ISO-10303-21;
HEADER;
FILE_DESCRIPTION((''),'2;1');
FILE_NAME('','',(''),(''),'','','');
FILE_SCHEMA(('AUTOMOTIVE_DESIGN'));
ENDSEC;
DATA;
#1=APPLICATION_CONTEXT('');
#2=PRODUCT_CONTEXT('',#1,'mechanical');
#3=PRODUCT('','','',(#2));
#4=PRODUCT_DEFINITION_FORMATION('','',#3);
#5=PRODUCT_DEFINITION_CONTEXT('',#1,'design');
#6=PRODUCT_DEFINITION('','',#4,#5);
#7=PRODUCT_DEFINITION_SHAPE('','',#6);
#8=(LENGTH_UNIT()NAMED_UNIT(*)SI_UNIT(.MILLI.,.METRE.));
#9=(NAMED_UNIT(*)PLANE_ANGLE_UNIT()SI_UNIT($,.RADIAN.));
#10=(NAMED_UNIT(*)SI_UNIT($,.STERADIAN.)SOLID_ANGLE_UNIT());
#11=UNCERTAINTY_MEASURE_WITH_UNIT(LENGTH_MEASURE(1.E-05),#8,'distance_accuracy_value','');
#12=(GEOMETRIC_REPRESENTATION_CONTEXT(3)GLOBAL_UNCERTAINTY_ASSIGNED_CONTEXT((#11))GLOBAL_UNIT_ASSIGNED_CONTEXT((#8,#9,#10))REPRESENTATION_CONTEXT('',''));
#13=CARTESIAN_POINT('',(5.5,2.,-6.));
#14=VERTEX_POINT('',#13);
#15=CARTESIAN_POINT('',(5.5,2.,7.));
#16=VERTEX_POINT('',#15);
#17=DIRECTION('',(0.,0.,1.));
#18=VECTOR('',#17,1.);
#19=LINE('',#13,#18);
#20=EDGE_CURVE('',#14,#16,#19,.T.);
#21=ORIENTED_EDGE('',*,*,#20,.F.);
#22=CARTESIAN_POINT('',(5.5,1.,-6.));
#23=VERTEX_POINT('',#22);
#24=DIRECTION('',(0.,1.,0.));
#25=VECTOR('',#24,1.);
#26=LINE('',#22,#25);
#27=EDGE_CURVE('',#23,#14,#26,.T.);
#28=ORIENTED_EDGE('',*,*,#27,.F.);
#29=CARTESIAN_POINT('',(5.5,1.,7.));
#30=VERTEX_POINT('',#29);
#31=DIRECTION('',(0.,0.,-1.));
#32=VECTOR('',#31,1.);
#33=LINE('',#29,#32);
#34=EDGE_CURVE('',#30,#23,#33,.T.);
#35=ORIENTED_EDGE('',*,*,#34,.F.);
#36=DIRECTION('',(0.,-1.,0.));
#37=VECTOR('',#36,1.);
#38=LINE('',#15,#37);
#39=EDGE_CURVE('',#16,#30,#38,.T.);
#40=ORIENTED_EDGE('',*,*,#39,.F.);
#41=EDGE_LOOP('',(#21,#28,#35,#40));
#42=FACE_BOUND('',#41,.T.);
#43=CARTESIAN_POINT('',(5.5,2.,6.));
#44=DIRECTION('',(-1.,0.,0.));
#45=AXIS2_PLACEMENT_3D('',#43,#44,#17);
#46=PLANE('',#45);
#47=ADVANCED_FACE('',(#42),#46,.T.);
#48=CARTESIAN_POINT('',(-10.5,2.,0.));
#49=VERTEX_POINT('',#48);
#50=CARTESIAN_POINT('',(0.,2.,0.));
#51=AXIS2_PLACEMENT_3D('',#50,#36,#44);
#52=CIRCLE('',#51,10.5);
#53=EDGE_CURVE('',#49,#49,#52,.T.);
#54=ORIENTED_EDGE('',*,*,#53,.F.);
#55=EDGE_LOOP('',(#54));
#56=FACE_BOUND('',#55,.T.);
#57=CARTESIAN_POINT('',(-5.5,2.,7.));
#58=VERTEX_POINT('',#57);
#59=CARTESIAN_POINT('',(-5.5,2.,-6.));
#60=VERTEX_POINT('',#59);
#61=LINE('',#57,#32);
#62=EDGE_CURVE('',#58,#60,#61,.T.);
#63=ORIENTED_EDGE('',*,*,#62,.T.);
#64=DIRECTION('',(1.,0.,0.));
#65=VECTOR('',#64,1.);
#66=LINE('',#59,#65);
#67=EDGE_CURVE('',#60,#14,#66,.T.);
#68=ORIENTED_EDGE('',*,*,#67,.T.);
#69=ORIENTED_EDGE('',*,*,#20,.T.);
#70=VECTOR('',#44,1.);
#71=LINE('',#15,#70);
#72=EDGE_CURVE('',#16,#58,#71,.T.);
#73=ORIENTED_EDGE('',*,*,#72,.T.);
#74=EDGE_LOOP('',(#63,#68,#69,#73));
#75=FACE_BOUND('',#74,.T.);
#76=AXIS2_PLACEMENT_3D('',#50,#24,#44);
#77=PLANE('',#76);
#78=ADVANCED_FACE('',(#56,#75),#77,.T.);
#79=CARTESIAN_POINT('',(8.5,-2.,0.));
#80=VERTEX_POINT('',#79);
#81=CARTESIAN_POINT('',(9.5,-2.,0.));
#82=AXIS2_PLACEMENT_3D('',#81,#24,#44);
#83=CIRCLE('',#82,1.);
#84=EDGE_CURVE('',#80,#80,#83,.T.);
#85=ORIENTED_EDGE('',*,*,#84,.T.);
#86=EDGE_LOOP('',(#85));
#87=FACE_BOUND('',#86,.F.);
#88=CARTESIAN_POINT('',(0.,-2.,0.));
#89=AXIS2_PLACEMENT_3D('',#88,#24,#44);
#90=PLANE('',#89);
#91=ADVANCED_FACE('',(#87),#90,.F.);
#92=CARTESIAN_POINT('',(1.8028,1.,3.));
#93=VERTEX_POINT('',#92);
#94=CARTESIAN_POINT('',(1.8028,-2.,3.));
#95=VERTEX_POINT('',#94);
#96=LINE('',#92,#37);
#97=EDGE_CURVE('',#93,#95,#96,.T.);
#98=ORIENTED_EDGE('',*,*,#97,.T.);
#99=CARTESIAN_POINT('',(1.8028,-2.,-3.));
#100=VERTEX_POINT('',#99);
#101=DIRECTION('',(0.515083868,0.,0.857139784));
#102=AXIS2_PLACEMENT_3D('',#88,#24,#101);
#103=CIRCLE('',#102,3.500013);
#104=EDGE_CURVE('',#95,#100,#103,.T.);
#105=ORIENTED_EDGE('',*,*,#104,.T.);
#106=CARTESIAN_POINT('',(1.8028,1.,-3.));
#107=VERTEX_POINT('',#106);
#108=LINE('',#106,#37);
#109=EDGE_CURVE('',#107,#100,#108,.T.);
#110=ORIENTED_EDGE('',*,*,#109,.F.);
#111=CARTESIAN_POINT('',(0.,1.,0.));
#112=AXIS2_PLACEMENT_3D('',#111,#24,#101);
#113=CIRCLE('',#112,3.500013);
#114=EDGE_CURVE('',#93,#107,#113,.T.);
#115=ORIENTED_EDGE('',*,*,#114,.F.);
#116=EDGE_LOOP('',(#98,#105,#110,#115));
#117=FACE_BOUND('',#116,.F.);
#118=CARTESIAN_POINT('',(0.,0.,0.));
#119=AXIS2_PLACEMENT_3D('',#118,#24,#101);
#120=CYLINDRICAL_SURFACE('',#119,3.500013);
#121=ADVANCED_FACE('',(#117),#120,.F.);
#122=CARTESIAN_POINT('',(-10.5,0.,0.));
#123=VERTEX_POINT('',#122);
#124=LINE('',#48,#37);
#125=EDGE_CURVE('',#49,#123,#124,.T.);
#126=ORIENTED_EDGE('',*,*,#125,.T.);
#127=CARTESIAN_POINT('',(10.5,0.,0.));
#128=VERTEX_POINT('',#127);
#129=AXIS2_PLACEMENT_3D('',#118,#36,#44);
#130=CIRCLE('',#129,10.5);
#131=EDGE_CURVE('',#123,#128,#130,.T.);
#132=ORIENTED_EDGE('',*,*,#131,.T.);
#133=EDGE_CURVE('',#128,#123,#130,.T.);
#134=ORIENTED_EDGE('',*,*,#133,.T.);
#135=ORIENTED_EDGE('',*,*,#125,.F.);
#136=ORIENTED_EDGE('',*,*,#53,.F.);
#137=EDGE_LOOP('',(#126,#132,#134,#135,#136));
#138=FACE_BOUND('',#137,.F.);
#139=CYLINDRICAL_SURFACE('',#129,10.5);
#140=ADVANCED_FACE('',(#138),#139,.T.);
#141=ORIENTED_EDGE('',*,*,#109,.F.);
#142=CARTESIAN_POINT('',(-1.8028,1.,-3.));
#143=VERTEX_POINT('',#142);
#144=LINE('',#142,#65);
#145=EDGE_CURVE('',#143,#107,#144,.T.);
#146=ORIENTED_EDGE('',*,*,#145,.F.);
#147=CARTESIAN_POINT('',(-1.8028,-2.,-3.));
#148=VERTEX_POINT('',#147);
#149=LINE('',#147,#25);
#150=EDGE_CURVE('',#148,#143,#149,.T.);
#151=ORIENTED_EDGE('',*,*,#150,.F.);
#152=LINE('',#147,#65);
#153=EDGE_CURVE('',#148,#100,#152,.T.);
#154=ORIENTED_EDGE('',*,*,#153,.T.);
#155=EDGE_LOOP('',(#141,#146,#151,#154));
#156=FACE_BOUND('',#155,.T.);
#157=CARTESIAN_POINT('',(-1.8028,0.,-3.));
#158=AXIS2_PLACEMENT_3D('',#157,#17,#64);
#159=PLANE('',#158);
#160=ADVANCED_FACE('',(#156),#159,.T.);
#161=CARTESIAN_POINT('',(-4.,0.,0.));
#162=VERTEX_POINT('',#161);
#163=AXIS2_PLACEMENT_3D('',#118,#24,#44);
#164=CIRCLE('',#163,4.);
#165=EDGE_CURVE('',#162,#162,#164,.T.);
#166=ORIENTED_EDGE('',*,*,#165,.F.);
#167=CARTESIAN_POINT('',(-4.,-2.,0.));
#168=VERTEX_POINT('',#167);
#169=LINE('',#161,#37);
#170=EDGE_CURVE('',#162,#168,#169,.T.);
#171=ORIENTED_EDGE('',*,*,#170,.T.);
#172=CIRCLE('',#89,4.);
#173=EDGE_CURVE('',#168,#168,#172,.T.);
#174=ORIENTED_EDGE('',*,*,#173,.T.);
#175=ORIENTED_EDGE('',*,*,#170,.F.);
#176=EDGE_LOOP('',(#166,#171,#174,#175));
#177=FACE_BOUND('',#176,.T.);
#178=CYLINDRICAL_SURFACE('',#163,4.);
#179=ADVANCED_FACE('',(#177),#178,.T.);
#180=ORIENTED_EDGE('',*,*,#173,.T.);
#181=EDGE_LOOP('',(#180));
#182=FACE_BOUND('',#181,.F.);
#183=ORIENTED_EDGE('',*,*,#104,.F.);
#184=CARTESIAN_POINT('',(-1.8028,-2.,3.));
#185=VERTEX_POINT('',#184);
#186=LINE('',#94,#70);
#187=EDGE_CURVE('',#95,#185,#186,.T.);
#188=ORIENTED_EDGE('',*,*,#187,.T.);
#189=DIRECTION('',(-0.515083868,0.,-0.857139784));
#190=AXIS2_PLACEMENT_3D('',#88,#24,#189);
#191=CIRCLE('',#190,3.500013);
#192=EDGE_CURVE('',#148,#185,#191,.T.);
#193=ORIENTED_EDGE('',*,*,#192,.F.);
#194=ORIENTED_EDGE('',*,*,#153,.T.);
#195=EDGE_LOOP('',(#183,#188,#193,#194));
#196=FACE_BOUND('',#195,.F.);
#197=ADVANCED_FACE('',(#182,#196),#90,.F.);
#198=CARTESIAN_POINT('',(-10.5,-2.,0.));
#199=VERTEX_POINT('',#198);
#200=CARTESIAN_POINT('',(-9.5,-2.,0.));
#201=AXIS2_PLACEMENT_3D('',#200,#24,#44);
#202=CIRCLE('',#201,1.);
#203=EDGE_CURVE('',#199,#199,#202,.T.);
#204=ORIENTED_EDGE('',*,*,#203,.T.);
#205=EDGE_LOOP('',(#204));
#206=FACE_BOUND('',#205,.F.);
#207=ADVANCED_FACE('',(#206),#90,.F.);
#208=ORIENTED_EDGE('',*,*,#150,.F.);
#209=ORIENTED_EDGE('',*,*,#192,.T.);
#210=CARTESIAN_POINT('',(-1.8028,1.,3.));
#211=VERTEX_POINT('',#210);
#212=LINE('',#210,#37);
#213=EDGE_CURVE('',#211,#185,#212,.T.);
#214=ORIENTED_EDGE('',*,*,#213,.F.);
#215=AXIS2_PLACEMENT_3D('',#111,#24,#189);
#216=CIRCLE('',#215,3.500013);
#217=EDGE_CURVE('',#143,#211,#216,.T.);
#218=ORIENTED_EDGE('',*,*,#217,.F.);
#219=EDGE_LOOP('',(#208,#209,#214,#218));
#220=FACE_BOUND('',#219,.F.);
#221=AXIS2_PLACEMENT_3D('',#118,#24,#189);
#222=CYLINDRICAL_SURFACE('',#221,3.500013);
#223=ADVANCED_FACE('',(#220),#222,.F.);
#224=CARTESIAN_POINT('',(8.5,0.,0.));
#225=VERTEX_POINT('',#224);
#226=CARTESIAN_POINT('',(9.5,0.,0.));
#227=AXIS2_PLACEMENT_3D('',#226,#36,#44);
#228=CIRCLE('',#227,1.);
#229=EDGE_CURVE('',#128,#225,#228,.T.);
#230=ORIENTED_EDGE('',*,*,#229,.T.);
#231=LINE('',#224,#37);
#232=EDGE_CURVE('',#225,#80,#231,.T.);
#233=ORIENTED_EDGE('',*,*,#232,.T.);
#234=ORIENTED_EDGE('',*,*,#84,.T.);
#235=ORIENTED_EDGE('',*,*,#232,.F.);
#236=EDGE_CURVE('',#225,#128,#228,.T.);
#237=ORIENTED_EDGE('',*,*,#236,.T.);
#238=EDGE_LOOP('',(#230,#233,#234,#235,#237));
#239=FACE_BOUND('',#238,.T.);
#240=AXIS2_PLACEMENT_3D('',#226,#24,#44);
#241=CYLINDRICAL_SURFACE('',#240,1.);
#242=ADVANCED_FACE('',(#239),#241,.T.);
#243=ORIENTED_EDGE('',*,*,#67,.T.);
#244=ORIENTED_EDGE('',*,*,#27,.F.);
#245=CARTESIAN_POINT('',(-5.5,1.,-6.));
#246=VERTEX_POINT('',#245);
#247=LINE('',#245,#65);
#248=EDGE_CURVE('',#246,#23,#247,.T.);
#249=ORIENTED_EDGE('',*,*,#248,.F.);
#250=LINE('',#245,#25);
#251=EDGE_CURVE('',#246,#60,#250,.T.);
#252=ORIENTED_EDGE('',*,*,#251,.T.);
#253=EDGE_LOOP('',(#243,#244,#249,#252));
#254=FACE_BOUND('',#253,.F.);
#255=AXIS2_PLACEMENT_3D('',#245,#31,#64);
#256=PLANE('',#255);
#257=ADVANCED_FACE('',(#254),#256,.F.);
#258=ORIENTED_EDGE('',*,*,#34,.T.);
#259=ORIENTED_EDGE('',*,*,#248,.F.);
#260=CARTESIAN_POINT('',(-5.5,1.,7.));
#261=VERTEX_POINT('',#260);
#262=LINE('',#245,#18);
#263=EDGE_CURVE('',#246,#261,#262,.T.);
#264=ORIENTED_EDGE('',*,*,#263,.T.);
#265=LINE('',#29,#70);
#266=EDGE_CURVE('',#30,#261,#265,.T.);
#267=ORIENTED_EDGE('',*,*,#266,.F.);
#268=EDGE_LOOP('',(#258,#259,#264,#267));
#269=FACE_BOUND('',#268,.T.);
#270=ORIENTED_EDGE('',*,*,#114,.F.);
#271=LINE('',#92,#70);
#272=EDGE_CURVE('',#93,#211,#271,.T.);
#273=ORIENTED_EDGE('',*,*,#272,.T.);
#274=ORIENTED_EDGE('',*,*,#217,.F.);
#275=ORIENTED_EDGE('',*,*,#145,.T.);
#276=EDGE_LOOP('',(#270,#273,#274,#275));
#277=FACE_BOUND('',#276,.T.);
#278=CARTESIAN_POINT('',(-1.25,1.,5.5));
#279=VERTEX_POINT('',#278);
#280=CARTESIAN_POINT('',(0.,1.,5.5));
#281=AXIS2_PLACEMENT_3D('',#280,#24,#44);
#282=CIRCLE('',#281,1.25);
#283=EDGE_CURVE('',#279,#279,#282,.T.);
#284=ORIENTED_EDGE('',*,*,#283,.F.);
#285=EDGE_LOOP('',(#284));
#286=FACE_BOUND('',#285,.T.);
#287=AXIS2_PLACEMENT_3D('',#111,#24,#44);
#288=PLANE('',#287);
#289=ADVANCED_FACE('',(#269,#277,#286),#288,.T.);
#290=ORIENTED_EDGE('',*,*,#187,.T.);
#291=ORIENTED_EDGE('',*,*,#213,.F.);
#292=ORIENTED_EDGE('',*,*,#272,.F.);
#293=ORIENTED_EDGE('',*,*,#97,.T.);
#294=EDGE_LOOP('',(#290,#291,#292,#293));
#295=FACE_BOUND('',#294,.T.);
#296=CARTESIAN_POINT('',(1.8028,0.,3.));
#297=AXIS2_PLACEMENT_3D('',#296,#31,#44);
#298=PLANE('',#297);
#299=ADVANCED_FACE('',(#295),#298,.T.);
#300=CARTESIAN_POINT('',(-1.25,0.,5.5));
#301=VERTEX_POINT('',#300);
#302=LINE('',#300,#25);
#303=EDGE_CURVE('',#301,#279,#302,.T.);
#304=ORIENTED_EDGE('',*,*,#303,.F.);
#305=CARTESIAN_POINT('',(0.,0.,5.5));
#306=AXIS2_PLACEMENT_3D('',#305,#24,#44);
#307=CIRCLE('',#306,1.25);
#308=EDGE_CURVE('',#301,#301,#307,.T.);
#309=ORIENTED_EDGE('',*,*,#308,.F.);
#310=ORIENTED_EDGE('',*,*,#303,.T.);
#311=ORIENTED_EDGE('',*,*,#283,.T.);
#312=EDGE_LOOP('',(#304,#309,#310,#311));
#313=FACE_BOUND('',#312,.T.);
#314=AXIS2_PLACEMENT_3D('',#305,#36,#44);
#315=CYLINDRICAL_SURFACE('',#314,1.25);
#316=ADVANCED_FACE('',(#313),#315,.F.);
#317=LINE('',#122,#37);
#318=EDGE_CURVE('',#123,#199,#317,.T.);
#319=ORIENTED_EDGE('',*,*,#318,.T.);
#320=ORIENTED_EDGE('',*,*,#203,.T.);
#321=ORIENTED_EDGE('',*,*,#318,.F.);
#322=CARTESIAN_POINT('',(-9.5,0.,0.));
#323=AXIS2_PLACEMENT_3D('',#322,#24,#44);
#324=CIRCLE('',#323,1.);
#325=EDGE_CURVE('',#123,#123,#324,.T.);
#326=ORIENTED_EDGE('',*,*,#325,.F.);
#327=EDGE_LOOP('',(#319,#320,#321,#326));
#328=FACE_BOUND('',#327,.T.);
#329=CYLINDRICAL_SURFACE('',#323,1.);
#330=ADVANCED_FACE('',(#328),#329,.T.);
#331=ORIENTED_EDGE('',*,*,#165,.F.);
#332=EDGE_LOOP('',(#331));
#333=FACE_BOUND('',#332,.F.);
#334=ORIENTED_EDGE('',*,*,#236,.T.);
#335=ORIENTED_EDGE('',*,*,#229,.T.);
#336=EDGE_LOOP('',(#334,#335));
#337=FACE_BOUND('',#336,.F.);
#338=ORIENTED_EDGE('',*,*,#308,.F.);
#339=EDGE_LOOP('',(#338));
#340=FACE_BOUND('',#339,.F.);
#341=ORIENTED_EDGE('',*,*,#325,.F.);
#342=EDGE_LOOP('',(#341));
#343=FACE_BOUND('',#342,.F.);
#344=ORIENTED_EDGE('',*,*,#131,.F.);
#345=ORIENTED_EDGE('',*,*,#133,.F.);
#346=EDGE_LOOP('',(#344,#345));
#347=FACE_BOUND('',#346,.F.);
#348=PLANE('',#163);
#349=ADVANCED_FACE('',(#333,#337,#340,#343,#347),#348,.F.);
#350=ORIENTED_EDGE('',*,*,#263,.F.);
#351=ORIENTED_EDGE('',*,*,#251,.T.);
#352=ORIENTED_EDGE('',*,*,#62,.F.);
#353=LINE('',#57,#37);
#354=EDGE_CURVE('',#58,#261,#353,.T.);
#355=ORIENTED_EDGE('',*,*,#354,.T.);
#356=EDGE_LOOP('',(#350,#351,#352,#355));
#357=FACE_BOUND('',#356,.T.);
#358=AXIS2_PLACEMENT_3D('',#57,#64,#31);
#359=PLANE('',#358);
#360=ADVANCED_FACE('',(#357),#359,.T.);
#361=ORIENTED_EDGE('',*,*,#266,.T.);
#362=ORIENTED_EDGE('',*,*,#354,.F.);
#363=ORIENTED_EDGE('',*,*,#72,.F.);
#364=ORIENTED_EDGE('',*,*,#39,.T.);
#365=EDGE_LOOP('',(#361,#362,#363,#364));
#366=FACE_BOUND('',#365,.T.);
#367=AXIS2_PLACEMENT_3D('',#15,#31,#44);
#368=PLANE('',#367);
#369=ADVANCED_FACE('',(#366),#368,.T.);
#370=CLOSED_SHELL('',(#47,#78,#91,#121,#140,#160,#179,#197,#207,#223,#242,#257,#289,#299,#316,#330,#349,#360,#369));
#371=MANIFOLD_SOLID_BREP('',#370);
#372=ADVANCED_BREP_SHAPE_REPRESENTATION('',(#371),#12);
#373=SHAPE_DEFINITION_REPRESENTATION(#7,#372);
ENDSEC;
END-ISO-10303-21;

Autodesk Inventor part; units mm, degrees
ref_plane "YZ Plane" through (0, 0, 0) normal (1, 0, 0) x (0, 1, 0)
ref_plane "XZ Plane" through (0, 0, 0) normal (0, 1, 0) x (-1, 0, 0)
ref_plane "XY Plane" through (0, 0, 0) normal (0, 0, 1) x (1, 0, 0)
sketch "Эскиз1" plane through (0, 0, 0) normal (0, 1, 0) x (-1, 0, 0)
  circle A0 centre (0, 0) radius 10.5
  circle A1 centre (0, 0) radius 4
  line L0 (0, -3) -> (0, 3) construction
  line L1 (1.8028, -3) -> (-1.8028, -3)
  line L2 (-1.8028, 3) -> (1.8028, 3)
  circle A2 centre (0, 5.5) radius 1.25
  circle A3 centre (9.5, 0) radius 1
  circle A4 centre (-9.5, 0) radius 1
  line L3 (5.5, -6) -> (-5.5, -6)
  line L4 (-5.5, -6) -> (-5.5, 6)
  line L5 (5.5, 6) -> (5.5, -6)
  line L6 (5.5, -6) -> (-5.5, 6) construction
  line L7 (0, 10.5) -> (0, -10.5) construction
  arc A5 (1.8028, -3) -> (1.8028, 3) centre (0, 0) ccw
  arc A6 (-1.8028, 3) -> (-1.8028, -3) centre (0, 0) ccw
  arc A7 (1.8028, -3) -> (1.8028, 3) centre (0, 0) ccw
  arc A8 (-1.8028, 3) -> (-1.8028, -3) centre (0, 0) ccw
  line L8 (-5.5, 6) -> (-1.1456, 6)
  line L9 (1.1456, 6) -> (5.5, 6)
  line L10 (5.5, 6) -> (-5.5, 6)
  line L11 (-5.5, 6) -> (-5.5, 7)
  line L12 (-5.5, 7) -> (5.5, 7)
  line L13 (5.5, 7) -> (5.5, 6)
  dimension "d0" = 21
  dimension "d1" = 8
  dimension "d3" = 6
  dimension "d4" = 2.5
  dimension "d5" = 2.5
  dimension "d6" = 2
  dimension "d7" = 2
  dimension "d8" = 11
  dimension "d9" = 12
  dimension "d18" = 1
extrude "Выдавливание1" add sketch "Эскиз1" along normal blind 1 contours A4 | A0 | A3 | A1 | A2 L9 L5 L3 L4 L8 | A2 L8 L11 L12 L13 L9
extrude "Выдавливание2" add sketch "Эскиз1" along normal blind 1 from surface at 1 contours A4 | A0 | A3 | A2 L8 L11 L12 L13 L9
extrude "Выдавливание3" add sketch "Эскиз1" against normal blind 2 contours A1
extrude "Выдавливание4" add sketch "Эскиз1" against normal blind 2 contours A4 | A3
extrude "Выдавливание5" cut sketch "Эскиз1" against normal up to surface (1 mm away) from surface at 2 contours A2 L8 L11 L12 L13 L9
properties part number "Switch1"
